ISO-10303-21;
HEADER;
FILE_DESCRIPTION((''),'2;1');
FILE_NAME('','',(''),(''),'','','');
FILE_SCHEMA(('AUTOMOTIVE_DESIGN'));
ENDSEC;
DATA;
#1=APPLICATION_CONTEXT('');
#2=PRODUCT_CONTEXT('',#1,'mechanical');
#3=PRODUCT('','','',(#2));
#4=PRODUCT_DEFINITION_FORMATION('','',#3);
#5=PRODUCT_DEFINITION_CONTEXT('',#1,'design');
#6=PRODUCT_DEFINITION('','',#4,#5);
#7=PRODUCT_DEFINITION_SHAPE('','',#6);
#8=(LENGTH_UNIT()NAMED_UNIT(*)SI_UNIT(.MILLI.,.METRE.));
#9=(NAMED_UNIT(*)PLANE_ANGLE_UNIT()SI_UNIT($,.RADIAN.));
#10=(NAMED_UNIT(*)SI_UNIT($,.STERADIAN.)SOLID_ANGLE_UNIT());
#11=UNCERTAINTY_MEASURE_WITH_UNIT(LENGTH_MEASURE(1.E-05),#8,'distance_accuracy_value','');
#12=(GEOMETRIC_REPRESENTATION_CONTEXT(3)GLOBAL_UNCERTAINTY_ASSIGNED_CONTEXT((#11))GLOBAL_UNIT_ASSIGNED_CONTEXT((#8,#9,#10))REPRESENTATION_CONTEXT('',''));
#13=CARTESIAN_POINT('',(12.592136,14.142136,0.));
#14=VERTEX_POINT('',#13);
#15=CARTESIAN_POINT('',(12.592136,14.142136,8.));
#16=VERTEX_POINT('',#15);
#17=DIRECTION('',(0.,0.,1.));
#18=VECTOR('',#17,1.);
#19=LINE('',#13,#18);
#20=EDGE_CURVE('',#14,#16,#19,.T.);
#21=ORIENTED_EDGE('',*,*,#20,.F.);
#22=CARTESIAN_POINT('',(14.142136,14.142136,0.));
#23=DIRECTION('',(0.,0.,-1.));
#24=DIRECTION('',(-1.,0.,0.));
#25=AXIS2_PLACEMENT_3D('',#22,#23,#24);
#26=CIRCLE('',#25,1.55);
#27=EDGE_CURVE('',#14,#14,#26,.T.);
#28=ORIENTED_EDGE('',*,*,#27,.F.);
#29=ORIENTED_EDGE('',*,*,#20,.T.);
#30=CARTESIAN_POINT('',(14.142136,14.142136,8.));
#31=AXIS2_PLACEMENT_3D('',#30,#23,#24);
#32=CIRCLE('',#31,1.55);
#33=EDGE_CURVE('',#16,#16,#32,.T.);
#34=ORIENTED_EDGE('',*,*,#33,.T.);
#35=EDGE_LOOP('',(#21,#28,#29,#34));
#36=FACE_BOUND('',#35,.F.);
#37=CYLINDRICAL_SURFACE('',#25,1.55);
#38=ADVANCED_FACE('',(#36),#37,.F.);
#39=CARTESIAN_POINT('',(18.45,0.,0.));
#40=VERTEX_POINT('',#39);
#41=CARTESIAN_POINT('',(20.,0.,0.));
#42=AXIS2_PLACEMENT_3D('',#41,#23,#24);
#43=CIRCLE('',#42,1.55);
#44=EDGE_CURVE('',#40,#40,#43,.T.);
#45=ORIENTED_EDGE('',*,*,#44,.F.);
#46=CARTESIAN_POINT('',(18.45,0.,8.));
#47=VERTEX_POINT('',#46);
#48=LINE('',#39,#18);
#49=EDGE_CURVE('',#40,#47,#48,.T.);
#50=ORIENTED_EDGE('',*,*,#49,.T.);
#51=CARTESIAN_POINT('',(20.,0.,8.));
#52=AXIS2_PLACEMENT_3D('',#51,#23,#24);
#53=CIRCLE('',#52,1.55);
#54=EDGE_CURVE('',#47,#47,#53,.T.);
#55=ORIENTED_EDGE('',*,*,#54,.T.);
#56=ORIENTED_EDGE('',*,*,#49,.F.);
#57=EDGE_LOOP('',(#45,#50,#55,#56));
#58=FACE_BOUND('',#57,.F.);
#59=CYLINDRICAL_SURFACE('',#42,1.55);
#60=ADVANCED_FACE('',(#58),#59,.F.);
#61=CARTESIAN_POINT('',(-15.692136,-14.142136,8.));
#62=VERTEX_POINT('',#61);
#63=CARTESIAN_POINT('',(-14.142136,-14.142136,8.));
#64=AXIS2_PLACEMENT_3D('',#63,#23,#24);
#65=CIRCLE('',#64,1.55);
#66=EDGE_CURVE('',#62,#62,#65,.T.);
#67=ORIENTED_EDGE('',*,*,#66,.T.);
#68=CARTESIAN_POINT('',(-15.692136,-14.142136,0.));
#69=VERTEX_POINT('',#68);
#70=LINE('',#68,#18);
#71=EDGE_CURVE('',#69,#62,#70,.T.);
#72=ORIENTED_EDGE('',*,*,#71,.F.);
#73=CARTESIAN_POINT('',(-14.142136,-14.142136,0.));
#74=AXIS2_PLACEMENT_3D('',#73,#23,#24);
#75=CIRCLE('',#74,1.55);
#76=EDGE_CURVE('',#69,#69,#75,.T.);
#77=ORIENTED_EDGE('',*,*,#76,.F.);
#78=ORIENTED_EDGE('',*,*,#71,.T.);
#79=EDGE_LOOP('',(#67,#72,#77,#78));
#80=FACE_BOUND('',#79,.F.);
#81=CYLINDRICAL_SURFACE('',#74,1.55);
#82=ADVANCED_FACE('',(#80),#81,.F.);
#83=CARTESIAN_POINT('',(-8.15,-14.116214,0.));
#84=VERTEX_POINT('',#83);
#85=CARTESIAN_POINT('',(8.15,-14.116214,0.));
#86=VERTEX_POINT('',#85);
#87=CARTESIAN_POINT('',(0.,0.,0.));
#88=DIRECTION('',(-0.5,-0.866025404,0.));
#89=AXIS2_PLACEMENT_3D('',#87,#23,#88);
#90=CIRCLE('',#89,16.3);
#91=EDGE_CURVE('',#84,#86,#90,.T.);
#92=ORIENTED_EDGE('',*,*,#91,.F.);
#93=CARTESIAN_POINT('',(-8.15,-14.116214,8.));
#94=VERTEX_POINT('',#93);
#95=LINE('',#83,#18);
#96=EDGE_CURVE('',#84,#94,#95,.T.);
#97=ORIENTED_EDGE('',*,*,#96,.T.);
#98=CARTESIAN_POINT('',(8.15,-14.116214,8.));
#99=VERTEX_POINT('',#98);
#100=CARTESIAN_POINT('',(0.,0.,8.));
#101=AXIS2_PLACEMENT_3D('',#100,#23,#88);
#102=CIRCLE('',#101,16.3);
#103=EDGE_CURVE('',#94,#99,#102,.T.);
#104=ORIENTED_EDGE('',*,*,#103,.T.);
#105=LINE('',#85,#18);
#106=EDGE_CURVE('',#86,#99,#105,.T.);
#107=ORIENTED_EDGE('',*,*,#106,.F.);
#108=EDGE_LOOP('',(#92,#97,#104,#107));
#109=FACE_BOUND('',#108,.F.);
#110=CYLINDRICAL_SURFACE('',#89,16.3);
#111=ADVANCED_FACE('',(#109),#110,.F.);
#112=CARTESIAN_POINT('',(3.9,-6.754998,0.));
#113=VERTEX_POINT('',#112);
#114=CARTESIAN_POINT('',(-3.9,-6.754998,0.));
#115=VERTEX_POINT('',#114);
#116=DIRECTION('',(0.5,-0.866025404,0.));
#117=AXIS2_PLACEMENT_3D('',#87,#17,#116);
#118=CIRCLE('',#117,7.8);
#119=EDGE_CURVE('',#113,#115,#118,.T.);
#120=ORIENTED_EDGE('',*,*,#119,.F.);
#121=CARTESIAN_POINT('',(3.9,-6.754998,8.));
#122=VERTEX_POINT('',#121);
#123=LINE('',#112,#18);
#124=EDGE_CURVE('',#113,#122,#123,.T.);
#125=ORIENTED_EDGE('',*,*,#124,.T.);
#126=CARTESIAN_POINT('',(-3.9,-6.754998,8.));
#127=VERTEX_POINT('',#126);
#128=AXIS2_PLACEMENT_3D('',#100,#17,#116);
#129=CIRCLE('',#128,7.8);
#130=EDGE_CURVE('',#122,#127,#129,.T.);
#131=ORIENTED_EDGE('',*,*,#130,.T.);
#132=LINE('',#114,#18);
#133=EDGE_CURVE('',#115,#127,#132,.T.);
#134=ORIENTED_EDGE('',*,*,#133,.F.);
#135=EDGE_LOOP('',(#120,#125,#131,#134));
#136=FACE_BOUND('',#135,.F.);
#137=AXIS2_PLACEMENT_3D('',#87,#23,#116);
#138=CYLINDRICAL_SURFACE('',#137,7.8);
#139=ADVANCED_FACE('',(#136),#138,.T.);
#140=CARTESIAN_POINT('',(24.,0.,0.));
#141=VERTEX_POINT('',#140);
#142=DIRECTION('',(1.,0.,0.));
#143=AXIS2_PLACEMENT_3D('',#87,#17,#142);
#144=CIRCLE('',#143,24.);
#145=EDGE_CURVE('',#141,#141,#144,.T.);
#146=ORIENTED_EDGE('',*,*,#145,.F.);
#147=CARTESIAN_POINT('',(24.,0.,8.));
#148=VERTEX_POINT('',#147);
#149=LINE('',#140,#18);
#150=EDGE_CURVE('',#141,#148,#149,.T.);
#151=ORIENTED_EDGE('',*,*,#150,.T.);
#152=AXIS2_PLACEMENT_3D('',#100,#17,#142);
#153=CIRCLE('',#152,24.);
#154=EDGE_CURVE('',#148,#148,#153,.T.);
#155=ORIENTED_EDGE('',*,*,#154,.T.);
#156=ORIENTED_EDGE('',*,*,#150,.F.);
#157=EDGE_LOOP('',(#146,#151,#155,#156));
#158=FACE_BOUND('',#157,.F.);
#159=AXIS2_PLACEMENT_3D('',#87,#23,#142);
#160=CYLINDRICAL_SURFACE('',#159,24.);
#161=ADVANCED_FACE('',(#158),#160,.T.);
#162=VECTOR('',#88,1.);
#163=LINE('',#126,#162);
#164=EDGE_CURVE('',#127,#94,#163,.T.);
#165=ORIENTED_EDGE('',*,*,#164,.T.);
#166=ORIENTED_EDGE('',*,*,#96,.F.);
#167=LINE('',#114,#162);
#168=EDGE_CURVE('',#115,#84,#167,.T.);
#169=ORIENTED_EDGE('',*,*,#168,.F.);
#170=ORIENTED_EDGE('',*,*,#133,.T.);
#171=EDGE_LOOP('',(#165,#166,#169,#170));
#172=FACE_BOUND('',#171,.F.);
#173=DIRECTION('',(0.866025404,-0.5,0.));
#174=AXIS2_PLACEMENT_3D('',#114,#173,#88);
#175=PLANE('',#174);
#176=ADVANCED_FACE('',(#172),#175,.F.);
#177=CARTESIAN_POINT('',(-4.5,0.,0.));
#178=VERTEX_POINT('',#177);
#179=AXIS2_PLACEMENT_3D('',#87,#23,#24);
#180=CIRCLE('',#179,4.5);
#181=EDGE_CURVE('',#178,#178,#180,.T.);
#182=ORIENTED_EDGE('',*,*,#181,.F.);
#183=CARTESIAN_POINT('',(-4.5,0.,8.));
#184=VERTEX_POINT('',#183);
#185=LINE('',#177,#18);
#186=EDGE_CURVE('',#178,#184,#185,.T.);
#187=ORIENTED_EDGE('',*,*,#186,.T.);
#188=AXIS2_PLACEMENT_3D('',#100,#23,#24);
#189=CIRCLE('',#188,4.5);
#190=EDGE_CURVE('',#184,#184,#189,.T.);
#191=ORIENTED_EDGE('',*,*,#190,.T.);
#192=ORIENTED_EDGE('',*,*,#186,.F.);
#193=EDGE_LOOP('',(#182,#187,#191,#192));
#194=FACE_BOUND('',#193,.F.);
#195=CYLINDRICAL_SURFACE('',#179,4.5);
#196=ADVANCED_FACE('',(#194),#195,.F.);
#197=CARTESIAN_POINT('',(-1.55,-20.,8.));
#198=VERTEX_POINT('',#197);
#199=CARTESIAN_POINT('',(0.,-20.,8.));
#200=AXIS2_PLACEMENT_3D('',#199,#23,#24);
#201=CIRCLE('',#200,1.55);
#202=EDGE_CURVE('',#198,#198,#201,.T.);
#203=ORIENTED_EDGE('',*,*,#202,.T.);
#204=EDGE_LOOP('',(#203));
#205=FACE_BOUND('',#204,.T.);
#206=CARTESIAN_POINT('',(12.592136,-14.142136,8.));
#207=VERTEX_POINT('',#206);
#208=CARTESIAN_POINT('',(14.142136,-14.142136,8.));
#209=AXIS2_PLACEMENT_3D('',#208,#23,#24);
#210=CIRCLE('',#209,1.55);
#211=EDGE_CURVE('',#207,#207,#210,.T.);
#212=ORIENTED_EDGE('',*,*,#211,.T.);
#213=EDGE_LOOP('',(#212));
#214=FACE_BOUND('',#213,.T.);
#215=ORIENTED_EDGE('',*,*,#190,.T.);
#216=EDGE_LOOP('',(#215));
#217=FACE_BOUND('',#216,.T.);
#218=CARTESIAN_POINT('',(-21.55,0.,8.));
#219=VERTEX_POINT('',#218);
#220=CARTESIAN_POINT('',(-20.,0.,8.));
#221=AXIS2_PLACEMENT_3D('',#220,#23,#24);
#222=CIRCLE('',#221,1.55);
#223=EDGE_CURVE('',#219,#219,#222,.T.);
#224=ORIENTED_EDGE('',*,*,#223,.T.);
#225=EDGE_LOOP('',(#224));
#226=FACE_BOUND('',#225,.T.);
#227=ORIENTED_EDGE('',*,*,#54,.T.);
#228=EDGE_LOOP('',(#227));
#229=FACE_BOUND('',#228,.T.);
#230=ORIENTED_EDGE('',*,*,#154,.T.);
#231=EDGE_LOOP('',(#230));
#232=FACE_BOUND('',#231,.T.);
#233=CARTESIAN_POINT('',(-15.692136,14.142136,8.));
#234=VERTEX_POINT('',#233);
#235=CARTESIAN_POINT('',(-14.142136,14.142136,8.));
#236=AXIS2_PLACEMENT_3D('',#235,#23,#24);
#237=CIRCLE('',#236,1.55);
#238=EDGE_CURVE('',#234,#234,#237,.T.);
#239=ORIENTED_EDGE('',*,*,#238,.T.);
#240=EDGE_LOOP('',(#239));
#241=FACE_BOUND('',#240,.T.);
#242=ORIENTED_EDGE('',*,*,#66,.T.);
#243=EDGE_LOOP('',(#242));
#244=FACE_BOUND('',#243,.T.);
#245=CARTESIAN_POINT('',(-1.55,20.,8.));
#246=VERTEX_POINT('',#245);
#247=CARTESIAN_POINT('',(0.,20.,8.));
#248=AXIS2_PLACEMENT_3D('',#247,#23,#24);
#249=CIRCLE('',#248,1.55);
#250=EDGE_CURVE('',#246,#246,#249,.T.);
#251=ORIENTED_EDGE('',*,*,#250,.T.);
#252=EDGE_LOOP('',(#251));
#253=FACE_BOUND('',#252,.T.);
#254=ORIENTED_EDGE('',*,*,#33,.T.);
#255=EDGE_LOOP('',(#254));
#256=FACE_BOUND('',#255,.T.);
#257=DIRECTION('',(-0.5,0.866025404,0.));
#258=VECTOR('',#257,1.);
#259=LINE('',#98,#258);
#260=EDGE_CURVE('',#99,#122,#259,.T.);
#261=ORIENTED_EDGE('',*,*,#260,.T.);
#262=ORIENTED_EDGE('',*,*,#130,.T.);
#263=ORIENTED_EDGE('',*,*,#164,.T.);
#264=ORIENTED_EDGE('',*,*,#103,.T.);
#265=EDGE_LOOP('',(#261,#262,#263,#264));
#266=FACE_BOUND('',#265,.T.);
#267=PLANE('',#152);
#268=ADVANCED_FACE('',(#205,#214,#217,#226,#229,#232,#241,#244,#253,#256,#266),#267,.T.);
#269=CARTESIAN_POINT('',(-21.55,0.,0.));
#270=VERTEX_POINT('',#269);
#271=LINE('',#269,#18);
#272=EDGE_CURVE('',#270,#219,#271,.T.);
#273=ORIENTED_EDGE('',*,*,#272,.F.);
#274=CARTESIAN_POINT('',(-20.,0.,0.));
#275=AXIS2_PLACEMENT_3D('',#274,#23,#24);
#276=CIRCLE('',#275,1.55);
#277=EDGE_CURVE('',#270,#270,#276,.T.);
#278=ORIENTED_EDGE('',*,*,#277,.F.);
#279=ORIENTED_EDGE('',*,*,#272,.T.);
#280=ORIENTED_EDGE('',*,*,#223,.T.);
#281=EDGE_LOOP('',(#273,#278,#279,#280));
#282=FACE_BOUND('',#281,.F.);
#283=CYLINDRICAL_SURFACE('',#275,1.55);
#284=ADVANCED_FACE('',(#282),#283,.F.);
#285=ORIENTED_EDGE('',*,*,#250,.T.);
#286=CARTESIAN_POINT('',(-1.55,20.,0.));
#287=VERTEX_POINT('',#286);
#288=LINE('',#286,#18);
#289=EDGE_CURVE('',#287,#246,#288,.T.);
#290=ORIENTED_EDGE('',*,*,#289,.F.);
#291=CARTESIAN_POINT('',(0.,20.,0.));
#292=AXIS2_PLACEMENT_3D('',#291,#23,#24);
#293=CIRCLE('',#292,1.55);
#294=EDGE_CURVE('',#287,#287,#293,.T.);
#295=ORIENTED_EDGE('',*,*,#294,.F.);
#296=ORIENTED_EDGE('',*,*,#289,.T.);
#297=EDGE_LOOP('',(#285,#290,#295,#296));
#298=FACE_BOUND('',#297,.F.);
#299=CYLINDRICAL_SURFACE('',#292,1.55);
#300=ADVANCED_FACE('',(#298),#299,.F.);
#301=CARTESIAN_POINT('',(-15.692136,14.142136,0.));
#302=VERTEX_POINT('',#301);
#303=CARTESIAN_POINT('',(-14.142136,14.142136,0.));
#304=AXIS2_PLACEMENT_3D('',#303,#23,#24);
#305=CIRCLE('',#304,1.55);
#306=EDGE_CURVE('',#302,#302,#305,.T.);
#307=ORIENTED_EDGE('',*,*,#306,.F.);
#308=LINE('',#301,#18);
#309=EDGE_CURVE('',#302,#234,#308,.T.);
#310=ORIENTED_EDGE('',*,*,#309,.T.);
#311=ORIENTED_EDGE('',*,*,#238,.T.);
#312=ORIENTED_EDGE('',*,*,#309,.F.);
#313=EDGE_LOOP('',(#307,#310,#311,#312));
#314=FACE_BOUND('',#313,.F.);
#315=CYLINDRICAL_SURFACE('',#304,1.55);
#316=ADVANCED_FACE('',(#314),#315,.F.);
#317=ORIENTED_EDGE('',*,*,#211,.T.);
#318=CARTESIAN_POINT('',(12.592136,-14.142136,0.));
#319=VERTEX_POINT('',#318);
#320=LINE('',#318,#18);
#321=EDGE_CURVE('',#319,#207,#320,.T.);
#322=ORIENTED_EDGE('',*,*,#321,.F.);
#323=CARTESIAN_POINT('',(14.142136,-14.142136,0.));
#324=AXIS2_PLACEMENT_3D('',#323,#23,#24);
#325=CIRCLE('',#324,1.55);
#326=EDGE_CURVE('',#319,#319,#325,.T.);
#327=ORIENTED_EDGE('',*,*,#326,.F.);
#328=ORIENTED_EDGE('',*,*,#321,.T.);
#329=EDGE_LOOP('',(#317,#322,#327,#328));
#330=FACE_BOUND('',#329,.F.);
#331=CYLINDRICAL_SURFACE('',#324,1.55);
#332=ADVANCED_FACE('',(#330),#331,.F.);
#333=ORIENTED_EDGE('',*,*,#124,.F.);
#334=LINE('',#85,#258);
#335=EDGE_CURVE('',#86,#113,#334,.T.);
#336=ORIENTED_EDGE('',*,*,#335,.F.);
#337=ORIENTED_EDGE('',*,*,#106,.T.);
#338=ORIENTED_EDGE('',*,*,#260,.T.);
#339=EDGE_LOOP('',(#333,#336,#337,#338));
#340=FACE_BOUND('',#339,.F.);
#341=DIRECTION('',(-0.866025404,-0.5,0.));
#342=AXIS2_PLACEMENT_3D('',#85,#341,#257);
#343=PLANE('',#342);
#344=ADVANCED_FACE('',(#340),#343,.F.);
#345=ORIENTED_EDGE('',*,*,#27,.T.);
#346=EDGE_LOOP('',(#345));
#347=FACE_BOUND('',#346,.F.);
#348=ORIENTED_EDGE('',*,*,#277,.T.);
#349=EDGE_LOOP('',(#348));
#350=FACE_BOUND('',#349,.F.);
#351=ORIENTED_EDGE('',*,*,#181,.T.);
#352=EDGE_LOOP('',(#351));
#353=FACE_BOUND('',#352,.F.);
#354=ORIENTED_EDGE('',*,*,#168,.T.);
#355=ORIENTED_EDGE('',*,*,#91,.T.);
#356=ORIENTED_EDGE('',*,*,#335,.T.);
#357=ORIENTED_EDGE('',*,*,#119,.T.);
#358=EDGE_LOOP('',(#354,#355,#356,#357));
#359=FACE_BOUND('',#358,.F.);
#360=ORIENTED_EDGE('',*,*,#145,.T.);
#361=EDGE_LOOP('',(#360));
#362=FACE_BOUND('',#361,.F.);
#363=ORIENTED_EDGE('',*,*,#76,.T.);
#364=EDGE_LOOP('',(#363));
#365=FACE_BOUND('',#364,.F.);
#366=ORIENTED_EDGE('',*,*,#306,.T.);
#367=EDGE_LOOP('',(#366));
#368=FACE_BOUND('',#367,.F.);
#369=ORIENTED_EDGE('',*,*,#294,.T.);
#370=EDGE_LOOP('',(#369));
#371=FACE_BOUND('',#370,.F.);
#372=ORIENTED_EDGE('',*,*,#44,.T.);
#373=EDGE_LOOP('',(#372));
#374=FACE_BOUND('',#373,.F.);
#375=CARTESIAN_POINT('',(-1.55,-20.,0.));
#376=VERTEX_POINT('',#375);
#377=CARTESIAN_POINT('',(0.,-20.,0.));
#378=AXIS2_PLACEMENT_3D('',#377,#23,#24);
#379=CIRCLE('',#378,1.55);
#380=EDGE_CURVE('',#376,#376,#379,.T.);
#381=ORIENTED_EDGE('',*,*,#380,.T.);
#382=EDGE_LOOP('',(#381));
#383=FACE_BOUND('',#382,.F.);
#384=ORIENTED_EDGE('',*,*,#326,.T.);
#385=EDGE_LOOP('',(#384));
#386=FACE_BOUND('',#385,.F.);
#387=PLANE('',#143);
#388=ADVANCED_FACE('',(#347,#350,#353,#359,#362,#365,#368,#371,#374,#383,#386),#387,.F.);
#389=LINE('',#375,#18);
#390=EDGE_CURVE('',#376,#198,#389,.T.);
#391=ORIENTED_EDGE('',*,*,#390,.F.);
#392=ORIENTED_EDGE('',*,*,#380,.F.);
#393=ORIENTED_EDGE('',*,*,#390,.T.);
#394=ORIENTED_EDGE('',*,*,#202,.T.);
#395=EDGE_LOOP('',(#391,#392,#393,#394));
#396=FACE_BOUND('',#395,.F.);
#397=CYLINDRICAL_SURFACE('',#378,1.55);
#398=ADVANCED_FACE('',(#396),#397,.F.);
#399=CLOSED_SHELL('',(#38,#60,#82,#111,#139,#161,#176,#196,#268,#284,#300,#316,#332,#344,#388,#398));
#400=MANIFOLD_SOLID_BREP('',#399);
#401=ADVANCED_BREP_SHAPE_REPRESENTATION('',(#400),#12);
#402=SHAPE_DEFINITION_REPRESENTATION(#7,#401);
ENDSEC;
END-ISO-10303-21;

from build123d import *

# Parameters (mm, degrees)
SKETCH6_R           = 24
BOSS_EXTRUDE1_DEPTH = 8
CUT_EXTRUDE4_DEPTH  = 8
SKETCH7_R           = 4.5
CUT_EXTRUDE5_DEPTH  = 8
SKETCH8_R           = 1.55
CUT_EXTRUDE6_DEPTH  = 8


with BuildPart() as part:
    # Sketch6 → Boss-Extrude1 (new body)
    with BuildSketch(Plane.XY):
        Circle(SKETCH6_R)
    extrude(amount=BOSS_EXTRUDE1_DEPTH)

    # Sketch4 → Cut-Extrude4 (cut)
    with BuildSketch(Plane.XY):
        with BuildLine():
            Line((-3.9, -6.75499815), (-8.15, -14.116214082))
            ThreePointArc((-8.15, -14.116214082), (0, 16.3), (8.15, -14.116214082))
            Line((8.15, -14.116214082), (3.9, -6.75499815))
            ThreePointArc((3.9, -6.75499815), (0, 7.8), (-3.9, -6.75499815))
        make_face()
    extrude(amount=CUT_EXTRUDE4_DEPTH, mode=Mode.SUBTRACT)

    # Sketch7 → Cut-Extrude5 (cut)
    with BuildSketch(Plane(origin=(0, 0, 0), x_dir=(-1, 0, 0), z_dir=(0, 0, -1))):
        Circle(SKETCH7_R)
    extrude(amount=-CUT_EXTRUDE5_DEPTH, mode=Mode.SUBTRACT)

    # Sketch8 → Cut-Extrude6 (cut)
    with BuildSketch(Plane(origin=(0, 0, 0), x_dir=(-1, 0, 0), z_dir=(0, 0, -1))):
        with Locations((0, 20)):
            Circle(SKETCH8_R)
        with Locations((14.142135624, 14.142135624)):
            Circle(SKETCH8_R)
        with Locations((20, 0)):
            Circle(SKETCH8_R)
        with Locations((14.142135624, -14.142135624)):
            Circle(SKETCH8_R)
        with Locations((0, -20)):
            Circle(SKETCH8_R)
        with Locations((-14.142135624, -14.142135624)):
            Circle(SKETCH8_R)
        with Locations((-20, 0)):
            Circle(SKETCH8_R)
        with Locations((-14.142135624, 14.142135624)):
            Circle(SKETCH8_R)
    extrude(amount=-CUT_EXTRUDE6_DEPTH, mode=Mode.SUBTRACT)


solid = part.part
